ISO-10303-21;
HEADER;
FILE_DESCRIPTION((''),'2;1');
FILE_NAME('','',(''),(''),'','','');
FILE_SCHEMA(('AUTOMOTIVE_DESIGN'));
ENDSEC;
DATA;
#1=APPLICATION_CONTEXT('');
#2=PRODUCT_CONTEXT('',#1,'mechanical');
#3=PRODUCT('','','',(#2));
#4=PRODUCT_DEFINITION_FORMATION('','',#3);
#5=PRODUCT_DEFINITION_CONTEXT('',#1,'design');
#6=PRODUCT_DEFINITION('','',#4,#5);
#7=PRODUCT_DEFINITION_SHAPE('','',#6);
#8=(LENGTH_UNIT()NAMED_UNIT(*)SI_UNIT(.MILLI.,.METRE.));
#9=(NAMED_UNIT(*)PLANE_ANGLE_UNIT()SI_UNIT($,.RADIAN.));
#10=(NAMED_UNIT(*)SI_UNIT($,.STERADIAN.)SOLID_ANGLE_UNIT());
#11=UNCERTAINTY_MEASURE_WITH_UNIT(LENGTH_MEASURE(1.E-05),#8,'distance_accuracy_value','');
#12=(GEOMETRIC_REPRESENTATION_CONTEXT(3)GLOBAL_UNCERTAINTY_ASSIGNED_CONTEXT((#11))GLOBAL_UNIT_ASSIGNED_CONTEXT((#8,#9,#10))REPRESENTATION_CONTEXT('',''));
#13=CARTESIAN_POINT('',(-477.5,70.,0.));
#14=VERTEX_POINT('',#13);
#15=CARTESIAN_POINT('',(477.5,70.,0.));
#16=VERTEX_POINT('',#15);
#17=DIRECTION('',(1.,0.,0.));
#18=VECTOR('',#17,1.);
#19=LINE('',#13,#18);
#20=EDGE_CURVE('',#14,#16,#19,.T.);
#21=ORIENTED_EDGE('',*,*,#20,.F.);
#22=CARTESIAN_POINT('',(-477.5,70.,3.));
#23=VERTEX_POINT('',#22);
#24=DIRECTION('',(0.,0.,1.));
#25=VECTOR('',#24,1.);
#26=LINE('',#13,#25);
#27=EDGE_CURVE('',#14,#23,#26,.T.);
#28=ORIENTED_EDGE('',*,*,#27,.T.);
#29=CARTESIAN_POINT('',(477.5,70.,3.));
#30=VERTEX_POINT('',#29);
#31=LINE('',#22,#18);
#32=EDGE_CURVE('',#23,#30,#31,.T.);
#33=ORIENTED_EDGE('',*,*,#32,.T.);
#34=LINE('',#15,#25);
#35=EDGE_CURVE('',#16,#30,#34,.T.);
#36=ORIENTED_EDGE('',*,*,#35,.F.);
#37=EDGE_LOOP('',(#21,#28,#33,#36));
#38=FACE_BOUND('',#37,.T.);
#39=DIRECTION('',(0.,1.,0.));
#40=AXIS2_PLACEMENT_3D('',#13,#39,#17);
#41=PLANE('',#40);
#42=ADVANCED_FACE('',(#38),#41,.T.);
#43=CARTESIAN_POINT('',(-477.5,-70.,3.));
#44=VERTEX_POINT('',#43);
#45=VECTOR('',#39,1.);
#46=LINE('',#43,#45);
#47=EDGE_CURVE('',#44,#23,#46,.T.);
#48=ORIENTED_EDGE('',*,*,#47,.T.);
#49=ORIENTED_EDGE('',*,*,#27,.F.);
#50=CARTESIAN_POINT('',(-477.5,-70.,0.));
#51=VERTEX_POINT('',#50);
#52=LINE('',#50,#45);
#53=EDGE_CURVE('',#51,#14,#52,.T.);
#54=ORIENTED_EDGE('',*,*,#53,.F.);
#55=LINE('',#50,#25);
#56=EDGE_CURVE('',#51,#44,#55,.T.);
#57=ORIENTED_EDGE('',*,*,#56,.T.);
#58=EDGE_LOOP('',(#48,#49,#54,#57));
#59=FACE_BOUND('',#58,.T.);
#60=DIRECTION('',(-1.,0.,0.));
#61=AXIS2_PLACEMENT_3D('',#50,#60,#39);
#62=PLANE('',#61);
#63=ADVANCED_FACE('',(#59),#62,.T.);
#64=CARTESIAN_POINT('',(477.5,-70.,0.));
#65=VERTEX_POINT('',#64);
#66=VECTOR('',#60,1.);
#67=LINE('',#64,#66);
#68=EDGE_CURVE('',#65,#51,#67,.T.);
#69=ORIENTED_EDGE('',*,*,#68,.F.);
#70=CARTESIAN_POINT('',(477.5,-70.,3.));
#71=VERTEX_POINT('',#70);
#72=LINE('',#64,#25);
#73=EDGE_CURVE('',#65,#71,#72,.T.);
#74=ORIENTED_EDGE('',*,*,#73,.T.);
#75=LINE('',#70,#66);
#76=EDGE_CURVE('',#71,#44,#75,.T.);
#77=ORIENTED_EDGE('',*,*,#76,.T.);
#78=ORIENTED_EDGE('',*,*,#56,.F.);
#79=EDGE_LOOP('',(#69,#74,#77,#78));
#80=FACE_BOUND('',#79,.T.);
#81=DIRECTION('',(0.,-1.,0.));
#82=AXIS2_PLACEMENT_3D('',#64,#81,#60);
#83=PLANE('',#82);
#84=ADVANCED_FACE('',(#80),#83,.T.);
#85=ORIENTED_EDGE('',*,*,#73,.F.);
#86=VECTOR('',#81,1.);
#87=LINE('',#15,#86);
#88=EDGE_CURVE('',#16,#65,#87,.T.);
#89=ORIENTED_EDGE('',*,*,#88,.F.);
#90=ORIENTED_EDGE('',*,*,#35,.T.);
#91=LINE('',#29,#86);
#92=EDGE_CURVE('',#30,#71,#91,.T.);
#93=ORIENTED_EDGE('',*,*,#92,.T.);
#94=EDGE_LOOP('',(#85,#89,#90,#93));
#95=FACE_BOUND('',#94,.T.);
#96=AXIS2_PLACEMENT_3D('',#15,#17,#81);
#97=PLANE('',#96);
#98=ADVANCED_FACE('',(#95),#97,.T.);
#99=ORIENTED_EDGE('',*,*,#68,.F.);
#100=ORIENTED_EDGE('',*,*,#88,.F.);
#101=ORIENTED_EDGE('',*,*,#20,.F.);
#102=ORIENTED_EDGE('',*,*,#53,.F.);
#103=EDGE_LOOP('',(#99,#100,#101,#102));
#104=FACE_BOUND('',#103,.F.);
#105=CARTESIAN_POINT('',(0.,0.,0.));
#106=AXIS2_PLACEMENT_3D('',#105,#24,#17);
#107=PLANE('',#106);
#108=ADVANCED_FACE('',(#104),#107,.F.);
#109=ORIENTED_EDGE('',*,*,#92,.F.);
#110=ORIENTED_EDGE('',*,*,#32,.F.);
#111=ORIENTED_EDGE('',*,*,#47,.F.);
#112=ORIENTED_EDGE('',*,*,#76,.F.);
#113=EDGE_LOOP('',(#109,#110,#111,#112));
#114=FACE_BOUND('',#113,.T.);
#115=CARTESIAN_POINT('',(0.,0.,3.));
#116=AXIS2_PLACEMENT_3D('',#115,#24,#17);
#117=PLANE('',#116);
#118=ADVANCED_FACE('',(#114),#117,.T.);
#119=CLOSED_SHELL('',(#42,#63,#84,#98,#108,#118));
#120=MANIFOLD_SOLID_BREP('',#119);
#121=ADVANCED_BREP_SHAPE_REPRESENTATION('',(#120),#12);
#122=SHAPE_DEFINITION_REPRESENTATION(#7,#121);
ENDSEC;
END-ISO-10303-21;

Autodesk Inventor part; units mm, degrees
ref_plane "YZ Plane" through (0, 0, 0) normal (1, 0, 0) x (0, 1, 0)
ref_plane "XZ Plane" through (0, 0, 0) normal (0, 1, 0) x (-1, 0, 0)
ref_plane "XY Plane" through (0, 0, 0) normal (0, 0, 1) x (1, 0, 0)
sketch "草图1" plane through (0, 0, 0) normal (0, 0, 1) x (1, 0, 0)
  line L0 (477.5, -70) -> (-477.5, -70)
  line L1 (-477.5, -70) -> (-477.5, 70)
  line L2 (-477.5, 70) -> (477.5, 70)
  line L3 (477.5, 70) -> (477.5, -70)
  line L4 (477.5, -70) -> (-477.5, 70) construction
  line L5 (-477.5, -70) -> (477.5, 70) construction
  point P0 (0, 0)
  dimension "d0" = 955
  dimension "d1" = 140
extrude "拉伸1" add sketch "草图1" along normal blind 3
properties part number "板材后"
